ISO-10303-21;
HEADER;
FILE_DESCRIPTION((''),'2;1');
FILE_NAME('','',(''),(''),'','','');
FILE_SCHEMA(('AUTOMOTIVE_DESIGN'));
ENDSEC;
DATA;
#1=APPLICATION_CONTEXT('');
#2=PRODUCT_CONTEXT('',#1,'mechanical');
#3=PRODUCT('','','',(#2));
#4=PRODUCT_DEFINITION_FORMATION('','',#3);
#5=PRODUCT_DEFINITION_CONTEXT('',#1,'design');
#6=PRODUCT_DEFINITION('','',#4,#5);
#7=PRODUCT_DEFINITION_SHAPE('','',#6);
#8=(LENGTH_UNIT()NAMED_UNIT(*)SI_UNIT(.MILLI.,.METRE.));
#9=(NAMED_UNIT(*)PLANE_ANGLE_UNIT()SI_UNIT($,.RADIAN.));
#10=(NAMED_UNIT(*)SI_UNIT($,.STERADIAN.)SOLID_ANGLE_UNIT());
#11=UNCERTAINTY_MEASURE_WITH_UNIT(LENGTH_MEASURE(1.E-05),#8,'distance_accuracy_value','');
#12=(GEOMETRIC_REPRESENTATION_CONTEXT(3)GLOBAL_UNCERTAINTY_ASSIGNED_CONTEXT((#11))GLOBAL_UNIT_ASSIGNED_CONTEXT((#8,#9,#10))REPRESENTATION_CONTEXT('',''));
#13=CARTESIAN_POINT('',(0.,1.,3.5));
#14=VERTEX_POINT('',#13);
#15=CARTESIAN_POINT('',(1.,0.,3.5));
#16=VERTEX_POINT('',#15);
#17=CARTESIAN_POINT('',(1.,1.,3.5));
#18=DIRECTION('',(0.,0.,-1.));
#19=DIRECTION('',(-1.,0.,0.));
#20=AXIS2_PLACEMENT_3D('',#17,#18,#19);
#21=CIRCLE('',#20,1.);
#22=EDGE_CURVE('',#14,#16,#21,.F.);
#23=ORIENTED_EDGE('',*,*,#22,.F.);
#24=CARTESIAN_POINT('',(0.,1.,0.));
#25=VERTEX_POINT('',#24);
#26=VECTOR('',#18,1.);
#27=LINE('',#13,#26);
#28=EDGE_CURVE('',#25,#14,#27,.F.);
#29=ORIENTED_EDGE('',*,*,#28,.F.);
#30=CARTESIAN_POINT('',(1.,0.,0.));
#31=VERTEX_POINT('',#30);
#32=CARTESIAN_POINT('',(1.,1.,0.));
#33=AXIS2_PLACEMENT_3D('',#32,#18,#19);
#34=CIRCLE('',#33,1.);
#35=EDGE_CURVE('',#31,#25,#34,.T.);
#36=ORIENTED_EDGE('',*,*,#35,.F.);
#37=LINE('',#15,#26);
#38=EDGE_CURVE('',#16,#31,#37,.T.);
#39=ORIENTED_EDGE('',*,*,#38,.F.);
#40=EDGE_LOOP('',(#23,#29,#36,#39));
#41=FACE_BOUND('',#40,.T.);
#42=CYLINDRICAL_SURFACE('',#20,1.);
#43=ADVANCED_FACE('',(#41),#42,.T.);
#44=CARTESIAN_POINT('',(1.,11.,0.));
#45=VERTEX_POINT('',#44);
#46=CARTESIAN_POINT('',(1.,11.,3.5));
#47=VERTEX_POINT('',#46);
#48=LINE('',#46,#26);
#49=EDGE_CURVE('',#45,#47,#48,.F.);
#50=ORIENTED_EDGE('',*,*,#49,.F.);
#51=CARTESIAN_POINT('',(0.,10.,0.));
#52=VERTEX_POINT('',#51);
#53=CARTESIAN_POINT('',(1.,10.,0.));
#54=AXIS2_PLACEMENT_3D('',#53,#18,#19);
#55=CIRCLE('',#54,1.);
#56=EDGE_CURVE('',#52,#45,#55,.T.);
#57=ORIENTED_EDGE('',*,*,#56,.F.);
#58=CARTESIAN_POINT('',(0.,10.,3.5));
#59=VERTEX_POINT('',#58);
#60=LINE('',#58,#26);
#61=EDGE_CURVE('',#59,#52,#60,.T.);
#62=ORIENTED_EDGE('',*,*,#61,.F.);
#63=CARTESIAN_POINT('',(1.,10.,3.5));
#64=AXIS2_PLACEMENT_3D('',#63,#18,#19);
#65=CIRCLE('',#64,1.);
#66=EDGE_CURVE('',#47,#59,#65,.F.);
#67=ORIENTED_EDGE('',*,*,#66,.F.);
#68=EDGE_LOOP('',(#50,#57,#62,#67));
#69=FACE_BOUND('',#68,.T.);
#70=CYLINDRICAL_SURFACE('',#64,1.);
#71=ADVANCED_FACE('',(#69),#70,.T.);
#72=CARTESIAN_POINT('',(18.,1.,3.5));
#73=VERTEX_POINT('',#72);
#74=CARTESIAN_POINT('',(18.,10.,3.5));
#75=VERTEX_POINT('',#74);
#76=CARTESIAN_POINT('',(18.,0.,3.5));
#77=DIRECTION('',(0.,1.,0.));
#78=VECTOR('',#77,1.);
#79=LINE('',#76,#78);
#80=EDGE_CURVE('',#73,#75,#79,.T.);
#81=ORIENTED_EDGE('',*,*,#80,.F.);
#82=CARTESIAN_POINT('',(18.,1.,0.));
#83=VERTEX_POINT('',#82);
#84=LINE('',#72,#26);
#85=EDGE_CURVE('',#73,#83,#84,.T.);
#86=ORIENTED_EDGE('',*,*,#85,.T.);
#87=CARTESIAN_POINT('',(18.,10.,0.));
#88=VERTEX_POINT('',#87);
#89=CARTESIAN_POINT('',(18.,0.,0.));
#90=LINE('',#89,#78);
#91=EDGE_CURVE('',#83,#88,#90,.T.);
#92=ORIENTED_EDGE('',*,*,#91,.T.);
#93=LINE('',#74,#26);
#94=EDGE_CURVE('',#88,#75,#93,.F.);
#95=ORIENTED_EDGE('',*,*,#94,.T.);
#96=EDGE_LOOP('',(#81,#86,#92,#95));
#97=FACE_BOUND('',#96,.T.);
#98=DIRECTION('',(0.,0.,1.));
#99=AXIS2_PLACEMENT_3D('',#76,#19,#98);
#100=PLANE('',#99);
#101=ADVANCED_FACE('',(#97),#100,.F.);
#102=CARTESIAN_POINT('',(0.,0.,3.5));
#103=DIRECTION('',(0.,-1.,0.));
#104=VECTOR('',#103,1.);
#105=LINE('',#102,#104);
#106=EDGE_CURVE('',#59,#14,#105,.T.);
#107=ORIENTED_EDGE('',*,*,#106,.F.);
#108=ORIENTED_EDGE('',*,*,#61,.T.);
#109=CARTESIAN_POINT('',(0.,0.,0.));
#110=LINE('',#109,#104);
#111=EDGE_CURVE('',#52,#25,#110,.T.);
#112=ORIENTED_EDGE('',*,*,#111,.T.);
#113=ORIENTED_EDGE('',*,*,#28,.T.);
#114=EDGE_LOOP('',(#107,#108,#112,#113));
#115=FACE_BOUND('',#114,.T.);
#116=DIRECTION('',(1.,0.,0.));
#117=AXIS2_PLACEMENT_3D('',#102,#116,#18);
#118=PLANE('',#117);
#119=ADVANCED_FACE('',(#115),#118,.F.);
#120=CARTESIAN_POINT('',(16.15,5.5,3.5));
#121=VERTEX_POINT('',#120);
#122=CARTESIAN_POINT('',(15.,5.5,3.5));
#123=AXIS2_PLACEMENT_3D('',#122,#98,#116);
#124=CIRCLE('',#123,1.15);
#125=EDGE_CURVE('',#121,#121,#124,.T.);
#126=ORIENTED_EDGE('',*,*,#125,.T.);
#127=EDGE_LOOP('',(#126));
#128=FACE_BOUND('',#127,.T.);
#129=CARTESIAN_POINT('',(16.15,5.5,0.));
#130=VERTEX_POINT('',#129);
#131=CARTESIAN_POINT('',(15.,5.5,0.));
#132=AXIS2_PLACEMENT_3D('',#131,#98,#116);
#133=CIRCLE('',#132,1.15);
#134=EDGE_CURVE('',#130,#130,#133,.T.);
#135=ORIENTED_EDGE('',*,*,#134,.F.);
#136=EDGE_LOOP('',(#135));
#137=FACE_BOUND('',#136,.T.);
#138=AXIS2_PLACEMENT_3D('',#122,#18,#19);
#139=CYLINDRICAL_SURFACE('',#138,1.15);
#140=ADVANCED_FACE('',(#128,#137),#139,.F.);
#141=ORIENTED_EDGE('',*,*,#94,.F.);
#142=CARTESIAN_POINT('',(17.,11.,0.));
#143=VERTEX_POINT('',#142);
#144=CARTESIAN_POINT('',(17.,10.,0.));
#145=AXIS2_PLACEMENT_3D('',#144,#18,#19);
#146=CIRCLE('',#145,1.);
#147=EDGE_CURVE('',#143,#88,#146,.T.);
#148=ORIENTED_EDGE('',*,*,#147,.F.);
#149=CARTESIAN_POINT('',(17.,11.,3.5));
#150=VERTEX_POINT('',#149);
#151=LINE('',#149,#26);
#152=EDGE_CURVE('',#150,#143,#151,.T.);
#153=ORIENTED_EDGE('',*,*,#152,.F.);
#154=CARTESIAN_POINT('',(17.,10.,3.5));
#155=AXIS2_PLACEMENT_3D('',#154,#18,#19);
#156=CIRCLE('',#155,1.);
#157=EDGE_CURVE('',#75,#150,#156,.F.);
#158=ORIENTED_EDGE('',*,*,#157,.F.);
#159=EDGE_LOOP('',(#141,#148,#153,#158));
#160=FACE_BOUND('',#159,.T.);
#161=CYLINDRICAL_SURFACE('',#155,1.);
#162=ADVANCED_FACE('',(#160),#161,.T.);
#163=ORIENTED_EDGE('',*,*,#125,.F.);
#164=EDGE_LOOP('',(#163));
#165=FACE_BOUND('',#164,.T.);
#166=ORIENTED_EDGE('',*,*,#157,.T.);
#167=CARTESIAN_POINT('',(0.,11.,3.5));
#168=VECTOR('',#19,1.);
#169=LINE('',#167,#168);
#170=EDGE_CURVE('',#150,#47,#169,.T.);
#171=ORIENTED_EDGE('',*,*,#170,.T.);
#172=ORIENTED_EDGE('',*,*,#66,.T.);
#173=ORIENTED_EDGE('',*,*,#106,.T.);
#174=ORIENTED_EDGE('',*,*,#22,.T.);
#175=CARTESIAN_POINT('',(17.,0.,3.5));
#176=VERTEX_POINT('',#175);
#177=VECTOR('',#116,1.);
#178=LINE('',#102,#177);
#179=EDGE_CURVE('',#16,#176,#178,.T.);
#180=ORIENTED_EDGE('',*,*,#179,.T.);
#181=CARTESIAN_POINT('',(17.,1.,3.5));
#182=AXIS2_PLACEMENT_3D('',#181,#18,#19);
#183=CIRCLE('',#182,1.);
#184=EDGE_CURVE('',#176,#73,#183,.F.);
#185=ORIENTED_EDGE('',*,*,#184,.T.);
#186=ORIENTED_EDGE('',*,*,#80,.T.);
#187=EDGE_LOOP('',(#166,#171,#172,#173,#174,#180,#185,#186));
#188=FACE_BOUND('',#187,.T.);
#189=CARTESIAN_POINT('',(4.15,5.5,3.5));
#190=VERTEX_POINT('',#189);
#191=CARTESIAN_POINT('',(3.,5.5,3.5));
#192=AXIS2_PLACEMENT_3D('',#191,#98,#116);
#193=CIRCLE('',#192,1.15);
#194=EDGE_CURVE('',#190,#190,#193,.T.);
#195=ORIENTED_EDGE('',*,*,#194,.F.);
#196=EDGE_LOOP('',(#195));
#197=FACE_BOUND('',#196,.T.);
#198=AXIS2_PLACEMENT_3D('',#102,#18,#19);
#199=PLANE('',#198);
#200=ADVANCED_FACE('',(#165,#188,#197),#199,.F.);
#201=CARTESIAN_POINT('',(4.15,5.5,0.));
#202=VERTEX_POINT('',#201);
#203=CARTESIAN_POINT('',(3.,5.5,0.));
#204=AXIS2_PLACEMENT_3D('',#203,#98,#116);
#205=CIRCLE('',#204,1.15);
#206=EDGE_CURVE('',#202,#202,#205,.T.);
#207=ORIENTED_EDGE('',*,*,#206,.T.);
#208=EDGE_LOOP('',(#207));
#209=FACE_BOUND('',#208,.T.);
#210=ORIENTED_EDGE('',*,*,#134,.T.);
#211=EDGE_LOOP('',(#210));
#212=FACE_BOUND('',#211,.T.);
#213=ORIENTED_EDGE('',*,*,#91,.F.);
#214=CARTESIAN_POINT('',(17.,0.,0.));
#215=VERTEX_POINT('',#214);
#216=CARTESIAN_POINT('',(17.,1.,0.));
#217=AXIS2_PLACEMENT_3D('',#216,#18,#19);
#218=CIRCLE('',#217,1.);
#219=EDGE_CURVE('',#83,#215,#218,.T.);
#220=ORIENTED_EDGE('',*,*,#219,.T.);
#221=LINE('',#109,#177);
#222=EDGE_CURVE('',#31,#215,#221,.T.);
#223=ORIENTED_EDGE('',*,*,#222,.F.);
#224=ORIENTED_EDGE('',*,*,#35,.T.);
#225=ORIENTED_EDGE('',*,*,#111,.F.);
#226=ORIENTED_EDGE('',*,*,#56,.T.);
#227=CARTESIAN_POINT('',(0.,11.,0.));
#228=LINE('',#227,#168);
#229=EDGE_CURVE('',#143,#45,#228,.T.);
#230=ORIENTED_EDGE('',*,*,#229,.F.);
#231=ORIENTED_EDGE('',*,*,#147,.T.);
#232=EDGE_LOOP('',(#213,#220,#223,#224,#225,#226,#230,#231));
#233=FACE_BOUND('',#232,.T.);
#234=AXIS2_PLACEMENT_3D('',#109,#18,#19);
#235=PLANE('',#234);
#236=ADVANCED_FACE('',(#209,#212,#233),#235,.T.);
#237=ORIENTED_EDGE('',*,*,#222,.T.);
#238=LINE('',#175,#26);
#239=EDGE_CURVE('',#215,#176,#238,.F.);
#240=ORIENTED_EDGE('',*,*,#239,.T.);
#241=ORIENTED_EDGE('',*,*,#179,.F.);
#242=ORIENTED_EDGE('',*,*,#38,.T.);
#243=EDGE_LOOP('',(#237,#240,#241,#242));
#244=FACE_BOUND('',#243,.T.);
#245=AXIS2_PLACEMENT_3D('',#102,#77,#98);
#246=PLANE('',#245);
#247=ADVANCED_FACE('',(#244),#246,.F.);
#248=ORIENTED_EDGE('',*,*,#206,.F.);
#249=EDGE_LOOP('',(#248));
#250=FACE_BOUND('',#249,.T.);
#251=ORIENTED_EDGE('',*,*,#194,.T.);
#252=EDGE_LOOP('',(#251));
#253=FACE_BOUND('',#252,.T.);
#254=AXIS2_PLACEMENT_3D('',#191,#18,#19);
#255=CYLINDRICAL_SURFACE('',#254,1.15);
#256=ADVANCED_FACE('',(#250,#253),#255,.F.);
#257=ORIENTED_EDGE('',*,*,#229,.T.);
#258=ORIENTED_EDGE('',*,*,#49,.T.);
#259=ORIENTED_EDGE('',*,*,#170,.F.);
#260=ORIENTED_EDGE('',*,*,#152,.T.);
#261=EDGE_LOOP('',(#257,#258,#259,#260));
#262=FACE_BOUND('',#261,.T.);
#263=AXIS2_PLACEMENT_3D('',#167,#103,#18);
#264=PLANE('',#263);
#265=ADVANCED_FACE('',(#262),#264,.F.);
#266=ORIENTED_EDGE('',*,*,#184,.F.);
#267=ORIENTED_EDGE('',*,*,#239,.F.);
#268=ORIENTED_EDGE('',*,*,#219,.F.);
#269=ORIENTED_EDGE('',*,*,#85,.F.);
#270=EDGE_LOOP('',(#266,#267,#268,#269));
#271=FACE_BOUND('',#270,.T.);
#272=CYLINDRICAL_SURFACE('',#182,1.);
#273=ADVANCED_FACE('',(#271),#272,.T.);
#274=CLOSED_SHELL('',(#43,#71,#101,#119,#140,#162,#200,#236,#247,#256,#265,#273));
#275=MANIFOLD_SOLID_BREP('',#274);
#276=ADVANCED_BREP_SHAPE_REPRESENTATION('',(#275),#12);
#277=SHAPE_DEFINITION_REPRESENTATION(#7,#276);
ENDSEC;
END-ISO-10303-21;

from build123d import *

# Parameters (mm, degrees)
SKETCH_1_W      = 18
SKETCH_1_H      = 11
SKETCH_1_R      = 1.15
EXTRUDE_1_DEPTH = 3.5
FILLET_1_R      = 1


with BuildPart() as part:
    # 草图1 → 凸台-拉伸1 (new body)
    with BuildSketch(Plane.XY):
        with Locations((9, 5.5)):
            Rectangle(SKETCH_1_W, SKETCH_1_H)
        with Locations((3, 5.5)):
            Circle(SKETCH_1_R, mode=Mode.SUBTRACT)
        with Locations((15, 5.5)):
            Circle(SKETCH_1_R, mode=Mode.SUBTRACT)
    extrude(amount=EXTRUDE_1_DEPTH)

    # 圆角1
    fillet_1_edges = [part.edges().sort_by_distance(p)[0] for p in [
        (0, 11, 1.75),
        (18, 11, 1.75),
        (18, 0, 1.75),
        (0, 0, 1.75),
    ]]
    fillet(fillet_1_edges, radius=FILLET_1_R)


solid = part.part
